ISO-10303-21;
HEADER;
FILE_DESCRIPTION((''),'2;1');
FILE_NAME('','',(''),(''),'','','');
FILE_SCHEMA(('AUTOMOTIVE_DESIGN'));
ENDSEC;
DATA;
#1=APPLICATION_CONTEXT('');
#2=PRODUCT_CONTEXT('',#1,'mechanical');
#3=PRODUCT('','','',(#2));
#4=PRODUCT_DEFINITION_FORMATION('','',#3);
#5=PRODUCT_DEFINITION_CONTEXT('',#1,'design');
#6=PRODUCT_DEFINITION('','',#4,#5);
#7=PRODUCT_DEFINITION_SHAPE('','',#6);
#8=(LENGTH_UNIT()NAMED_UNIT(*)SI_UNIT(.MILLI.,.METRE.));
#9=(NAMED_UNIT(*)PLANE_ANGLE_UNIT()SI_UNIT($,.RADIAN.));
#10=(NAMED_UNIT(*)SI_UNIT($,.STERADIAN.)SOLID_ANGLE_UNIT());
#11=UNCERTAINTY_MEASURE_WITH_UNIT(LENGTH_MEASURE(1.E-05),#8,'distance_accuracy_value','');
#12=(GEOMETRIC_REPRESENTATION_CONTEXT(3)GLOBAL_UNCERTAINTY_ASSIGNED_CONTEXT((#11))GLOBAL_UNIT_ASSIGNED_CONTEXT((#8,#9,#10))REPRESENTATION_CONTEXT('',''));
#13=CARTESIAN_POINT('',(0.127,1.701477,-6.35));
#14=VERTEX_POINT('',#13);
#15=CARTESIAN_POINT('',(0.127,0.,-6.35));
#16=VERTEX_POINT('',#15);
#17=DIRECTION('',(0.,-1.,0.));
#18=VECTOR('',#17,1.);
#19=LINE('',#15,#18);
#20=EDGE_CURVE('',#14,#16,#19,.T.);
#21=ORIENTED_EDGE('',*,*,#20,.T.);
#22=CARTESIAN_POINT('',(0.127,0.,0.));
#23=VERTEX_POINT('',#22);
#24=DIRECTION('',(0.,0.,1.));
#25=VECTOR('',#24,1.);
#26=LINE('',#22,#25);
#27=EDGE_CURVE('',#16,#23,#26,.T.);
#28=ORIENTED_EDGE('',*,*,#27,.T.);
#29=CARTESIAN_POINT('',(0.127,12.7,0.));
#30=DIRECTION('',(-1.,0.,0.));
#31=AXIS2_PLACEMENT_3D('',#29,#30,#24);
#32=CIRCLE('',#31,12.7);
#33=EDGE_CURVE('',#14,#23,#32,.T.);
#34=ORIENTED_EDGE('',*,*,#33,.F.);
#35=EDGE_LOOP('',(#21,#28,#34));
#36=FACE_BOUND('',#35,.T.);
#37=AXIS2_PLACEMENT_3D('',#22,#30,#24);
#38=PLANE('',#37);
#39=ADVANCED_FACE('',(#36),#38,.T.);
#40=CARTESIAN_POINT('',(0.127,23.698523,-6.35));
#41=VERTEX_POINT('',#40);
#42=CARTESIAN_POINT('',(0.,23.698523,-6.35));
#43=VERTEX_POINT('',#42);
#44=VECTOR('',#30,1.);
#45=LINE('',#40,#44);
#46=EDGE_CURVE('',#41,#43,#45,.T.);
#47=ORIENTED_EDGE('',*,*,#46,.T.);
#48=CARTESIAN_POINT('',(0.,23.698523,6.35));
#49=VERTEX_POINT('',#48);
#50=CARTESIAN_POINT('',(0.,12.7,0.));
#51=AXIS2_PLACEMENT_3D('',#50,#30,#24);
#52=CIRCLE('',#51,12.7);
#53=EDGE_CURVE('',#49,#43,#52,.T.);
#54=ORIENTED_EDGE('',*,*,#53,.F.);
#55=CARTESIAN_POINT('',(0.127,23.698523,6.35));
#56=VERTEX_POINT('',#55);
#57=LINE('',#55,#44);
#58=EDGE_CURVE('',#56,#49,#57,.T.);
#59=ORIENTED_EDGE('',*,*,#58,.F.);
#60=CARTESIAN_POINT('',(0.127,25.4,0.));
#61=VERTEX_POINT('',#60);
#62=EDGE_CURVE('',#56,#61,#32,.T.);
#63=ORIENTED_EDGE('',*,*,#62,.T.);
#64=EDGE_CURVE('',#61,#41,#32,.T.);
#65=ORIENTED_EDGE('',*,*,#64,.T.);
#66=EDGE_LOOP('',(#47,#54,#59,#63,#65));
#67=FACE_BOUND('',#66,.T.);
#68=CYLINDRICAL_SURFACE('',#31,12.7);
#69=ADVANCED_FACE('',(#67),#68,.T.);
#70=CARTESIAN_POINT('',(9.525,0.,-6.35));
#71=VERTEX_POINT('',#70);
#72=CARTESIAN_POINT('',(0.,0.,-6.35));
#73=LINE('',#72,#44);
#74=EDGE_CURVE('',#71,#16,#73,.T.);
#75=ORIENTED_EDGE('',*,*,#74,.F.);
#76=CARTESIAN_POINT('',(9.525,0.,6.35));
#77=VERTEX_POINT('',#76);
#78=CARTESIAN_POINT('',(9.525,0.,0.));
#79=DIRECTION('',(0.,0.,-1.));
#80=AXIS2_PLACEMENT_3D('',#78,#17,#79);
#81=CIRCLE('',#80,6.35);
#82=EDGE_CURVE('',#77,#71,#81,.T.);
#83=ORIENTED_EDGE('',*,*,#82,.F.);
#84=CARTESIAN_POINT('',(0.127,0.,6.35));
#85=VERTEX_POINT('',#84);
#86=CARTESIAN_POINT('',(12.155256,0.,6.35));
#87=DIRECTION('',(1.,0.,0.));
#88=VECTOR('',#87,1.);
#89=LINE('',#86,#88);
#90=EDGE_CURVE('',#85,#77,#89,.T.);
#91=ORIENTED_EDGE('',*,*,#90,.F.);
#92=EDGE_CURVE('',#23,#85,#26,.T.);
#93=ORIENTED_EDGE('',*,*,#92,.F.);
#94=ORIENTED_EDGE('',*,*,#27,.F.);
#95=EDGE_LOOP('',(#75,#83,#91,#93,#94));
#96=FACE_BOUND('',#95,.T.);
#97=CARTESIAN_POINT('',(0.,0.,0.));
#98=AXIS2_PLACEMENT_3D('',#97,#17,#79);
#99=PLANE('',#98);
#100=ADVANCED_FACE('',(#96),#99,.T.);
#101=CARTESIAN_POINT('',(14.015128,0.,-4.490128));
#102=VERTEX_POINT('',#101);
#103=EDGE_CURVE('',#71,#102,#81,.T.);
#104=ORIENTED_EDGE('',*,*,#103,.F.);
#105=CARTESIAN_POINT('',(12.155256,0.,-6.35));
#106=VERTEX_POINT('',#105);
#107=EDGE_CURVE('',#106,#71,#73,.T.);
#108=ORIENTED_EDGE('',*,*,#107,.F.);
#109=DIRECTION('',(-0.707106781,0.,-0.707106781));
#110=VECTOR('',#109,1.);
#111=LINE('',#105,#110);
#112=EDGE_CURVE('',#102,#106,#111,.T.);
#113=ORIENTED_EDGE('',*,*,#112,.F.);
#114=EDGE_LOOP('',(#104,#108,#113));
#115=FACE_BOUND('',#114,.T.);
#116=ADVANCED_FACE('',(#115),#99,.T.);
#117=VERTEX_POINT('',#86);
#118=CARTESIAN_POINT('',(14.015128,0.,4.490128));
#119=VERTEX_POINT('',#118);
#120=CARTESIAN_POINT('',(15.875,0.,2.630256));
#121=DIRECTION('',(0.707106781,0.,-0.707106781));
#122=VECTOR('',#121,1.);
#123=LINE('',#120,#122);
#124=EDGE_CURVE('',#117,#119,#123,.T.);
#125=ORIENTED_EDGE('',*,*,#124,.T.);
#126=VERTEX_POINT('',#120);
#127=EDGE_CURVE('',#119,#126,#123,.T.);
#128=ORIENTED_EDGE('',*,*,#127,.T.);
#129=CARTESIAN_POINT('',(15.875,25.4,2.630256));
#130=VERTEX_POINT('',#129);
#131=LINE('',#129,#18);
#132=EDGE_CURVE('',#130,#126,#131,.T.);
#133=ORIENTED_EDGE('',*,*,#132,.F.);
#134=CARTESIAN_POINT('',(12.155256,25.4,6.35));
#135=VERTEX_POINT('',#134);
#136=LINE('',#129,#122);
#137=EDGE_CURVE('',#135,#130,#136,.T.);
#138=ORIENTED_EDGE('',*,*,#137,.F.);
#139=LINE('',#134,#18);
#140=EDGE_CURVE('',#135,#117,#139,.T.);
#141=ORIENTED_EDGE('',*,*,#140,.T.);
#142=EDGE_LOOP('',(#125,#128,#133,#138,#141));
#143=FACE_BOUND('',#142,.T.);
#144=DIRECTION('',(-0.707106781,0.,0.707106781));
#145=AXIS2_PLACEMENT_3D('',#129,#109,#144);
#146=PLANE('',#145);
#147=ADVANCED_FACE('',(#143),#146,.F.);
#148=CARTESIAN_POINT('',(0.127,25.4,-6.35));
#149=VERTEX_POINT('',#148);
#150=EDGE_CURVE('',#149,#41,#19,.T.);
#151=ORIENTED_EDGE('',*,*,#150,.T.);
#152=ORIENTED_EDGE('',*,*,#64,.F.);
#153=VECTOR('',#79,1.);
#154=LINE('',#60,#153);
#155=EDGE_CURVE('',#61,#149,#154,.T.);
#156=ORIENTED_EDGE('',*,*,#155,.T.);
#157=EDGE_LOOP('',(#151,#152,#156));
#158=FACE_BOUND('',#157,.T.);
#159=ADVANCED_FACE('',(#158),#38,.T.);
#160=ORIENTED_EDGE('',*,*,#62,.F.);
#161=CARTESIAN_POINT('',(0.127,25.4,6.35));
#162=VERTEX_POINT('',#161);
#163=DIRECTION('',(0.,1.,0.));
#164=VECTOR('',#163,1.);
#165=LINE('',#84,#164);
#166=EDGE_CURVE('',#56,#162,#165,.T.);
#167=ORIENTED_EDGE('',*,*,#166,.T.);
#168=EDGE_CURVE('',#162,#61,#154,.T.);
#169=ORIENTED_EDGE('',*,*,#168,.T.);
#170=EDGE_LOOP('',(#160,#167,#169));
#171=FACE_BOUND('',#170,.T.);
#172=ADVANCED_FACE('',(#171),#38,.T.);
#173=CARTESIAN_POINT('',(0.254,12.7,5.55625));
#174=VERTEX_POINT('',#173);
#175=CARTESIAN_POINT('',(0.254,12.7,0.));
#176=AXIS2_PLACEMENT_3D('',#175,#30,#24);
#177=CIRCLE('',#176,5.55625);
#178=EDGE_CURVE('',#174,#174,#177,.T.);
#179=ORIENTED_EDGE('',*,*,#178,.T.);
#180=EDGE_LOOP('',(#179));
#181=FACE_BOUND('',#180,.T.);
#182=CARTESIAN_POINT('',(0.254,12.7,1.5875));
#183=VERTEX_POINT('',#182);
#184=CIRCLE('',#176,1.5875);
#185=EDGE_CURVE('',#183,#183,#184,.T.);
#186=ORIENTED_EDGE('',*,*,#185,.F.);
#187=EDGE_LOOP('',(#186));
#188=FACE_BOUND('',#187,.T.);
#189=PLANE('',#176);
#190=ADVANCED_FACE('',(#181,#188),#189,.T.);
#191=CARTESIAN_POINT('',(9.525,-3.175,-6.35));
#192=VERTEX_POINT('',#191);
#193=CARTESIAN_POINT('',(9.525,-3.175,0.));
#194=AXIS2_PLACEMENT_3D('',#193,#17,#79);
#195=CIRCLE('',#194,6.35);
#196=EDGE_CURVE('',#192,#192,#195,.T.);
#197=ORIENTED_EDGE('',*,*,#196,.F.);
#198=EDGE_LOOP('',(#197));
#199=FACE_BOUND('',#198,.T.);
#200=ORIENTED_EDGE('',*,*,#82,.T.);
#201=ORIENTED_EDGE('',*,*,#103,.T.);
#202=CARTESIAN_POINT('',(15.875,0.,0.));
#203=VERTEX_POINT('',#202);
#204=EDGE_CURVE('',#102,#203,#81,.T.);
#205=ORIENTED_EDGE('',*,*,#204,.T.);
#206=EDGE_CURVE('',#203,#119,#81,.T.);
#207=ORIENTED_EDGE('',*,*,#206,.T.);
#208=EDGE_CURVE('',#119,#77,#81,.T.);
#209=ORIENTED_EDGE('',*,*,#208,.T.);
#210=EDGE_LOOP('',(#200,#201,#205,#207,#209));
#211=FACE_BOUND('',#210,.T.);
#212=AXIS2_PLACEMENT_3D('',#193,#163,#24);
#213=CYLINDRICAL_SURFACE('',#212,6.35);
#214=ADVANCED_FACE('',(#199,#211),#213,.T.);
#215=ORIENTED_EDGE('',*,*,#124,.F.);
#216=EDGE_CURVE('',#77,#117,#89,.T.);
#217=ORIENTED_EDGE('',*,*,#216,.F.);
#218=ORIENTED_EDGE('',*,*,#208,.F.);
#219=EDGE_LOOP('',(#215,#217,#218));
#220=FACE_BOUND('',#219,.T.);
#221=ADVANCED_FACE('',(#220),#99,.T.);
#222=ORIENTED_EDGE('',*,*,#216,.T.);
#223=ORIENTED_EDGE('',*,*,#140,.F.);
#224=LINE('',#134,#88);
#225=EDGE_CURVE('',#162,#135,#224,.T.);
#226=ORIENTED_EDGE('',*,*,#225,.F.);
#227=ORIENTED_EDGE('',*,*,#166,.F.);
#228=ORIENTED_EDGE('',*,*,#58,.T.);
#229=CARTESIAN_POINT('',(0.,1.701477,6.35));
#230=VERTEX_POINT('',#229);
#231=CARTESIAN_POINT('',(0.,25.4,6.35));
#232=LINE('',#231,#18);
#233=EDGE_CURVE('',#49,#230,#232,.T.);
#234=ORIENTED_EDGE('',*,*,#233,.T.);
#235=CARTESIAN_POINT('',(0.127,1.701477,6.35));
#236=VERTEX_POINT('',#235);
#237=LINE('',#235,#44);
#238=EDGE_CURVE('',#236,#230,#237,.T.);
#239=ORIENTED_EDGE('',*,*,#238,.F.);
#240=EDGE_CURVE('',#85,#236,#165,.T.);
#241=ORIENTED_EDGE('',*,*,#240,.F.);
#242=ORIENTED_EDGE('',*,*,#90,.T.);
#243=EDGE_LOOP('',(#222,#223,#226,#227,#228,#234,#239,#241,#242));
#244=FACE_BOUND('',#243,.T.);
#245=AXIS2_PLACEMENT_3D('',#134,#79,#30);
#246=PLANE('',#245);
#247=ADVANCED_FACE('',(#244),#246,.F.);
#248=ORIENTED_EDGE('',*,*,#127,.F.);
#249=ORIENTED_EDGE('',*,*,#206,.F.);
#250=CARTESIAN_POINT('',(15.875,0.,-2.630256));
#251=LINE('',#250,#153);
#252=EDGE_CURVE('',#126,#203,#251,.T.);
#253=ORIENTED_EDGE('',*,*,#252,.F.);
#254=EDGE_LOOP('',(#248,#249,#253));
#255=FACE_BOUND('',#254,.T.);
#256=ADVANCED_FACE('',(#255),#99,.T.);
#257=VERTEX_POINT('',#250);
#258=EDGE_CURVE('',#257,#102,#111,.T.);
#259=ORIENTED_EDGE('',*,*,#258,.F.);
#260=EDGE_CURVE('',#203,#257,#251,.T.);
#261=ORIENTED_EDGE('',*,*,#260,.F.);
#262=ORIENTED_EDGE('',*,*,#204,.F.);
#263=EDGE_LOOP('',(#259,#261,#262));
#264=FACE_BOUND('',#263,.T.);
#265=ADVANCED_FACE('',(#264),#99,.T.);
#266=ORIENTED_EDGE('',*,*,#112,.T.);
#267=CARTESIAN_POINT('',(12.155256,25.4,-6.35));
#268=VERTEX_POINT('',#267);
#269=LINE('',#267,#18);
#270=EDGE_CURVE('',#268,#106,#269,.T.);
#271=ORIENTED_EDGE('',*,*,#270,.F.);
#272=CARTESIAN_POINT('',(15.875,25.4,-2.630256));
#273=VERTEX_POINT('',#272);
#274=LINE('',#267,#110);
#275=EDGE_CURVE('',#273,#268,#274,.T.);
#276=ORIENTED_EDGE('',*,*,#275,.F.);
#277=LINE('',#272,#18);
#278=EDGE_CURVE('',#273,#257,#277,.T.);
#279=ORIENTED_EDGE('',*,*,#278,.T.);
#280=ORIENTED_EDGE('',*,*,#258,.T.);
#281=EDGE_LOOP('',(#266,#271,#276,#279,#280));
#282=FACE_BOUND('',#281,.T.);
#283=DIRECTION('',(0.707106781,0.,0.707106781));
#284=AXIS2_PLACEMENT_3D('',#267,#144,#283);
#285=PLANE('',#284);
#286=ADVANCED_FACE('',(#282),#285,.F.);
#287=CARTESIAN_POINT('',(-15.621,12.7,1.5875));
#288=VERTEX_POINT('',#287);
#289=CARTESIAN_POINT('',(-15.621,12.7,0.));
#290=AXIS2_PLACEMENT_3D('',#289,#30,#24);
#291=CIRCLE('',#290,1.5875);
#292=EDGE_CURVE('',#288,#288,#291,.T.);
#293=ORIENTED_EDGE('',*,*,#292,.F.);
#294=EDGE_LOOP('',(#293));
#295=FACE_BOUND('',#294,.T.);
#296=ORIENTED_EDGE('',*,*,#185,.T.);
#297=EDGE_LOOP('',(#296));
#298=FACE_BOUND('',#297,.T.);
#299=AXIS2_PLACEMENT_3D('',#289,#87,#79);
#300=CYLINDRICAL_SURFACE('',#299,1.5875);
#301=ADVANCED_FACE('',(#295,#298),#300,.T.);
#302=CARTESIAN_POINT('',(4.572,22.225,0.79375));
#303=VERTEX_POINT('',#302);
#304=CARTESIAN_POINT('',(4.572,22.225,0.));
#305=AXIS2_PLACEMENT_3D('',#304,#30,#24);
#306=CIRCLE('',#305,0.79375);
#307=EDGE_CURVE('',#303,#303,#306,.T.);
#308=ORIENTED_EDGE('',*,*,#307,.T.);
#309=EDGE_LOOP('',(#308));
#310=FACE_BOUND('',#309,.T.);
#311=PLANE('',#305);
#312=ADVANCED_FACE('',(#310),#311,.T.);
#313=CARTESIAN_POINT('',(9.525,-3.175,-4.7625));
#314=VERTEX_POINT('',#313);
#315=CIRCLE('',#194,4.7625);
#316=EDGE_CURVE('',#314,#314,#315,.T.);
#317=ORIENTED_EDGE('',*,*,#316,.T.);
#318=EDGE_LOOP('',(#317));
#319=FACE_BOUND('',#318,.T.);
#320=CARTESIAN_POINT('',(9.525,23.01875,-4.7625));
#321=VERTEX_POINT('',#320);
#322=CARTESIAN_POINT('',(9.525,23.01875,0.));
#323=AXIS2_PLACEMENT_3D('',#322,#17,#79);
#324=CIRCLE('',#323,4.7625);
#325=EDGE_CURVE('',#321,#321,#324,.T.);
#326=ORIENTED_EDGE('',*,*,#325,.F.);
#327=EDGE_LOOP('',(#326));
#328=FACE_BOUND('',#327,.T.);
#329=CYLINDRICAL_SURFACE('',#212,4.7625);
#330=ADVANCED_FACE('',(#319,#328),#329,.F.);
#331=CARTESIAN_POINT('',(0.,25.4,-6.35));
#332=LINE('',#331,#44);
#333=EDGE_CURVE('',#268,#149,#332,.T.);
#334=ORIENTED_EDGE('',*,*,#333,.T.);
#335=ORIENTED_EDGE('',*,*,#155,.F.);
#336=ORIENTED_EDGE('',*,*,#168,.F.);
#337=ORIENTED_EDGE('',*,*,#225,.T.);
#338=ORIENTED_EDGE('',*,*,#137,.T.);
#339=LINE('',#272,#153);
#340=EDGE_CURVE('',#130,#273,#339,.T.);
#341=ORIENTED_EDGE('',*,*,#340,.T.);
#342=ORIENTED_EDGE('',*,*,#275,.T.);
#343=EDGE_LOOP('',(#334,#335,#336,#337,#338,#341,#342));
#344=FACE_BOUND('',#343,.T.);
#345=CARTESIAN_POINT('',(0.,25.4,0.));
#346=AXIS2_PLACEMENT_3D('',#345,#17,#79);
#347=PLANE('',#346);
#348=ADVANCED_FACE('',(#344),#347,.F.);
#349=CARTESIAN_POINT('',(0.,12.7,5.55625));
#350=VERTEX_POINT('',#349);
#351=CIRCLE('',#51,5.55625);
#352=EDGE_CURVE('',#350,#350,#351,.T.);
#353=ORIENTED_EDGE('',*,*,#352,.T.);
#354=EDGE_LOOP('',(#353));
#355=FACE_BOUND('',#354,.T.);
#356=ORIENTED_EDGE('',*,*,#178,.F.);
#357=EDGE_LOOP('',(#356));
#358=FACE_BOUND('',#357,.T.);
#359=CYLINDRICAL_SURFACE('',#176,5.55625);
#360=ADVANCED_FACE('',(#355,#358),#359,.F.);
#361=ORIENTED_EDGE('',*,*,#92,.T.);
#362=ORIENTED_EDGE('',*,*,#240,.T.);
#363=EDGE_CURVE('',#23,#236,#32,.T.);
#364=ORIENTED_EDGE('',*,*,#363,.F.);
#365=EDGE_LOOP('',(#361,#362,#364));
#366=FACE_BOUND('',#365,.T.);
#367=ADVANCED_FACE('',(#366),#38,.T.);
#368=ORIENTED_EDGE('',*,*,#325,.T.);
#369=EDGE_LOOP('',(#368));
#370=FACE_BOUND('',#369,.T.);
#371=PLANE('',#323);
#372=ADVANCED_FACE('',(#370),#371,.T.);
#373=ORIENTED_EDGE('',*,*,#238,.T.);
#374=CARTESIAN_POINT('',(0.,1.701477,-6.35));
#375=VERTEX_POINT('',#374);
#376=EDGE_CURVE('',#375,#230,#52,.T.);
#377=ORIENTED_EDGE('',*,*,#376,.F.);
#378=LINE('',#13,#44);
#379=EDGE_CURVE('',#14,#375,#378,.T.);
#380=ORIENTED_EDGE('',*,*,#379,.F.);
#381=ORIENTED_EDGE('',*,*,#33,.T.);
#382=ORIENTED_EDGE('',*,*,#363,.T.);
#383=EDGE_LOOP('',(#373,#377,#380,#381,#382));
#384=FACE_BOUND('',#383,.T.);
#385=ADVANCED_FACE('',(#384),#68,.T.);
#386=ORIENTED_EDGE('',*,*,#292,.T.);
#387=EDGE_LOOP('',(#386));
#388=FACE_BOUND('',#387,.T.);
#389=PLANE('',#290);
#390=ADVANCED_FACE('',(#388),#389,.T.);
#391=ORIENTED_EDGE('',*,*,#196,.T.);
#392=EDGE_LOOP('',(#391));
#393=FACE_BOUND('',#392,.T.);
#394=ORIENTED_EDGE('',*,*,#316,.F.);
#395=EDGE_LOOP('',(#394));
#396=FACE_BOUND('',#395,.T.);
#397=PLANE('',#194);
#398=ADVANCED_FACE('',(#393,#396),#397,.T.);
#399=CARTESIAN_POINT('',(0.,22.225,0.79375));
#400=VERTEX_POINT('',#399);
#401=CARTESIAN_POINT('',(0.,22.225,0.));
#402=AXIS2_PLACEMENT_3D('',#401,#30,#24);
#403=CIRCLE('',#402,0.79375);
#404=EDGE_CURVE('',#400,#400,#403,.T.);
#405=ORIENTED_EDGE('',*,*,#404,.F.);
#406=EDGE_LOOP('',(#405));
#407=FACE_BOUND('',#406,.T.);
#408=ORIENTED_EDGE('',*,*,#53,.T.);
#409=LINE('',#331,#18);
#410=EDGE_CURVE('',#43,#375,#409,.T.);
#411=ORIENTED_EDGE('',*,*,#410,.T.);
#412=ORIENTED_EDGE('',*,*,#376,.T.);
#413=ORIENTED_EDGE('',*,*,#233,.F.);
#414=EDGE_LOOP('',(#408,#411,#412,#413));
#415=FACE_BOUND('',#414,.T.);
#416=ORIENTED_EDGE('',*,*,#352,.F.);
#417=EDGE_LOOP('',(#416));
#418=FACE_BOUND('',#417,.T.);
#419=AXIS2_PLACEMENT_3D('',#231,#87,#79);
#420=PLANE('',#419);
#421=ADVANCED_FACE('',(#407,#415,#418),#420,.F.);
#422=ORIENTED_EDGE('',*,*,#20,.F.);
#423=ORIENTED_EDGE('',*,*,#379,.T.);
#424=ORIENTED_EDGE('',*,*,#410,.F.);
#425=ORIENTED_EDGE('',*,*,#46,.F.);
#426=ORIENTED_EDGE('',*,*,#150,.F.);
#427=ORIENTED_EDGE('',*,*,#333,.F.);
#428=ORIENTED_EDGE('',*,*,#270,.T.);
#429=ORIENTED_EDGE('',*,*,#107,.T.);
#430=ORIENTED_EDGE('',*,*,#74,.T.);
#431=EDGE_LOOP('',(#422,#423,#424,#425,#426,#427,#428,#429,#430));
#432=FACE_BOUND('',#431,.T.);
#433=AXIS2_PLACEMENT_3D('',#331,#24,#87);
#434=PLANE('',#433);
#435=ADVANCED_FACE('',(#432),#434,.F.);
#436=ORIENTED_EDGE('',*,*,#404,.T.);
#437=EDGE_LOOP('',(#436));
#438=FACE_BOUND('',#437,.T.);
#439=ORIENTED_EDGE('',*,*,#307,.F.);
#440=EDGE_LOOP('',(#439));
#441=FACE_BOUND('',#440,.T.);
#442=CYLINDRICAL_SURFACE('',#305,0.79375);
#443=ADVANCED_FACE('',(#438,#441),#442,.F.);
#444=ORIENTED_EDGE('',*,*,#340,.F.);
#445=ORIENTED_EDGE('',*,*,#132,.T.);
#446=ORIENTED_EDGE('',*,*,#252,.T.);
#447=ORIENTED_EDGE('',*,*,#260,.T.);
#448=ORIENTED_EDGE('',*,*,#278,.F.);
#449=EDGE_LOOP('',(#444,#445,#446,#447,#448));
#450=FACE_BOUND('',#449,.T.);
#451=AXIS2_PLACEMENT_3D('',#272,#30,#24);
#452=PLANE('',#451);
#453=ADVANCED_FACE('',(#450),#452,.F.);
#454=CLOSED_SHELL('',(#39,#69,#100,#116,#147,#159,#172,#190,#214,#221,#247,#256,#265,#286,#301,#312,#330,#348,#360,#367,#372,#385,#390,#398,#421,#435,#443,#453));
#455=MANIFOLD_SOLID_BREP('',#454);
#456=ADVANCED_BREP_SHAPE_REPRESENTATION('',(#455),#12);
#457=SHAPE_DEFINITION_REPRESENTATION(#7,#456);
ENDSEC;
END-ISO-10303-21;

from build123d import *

# Parameters (mm, degrees)
BOSS_EXTRUDE1_DEPTH = 25.4
SKETCH2_R           = 6.35
SKETCH2_R_2         = 4.7625
BOSS_EXTRUDE2_DEPTH = 3.175
SKETCH3_R           = 4.7625
CUT_EXTRUDE1_DEPTH  = 26.19375
SKETCH4_R           = 5.55625
CUT_EXTRUDE2_DEPTH  = 0.254
SKETCH5_R           = 1.5875
BOSS_EXTRUDE3_DEPTH = 15.875
SKETCH6_R           = 0.79375
CUT_EXTRUDE3_DEPTH  = 4.572
CUT_EXTRUDE4_DEPTH  = 0.127


with BuildPart() as part:
    # Sketch1 → Boss-Extrude1 (new body)
    with BuildSketch(Plane(origin=(0, 0, 0), x_dir=(1, 0, 0), z_dir=(0, 1, 0))):
        Polygon((0, -6.35), (0, 6.35), (12.155256121, 6.35), (15.875, 2.630256121), (15.875, -2.630256121), (12.155256121, -6.35), align=None)
    extrude(amount=BOSS_EXTRUDE1_DEPTH)

    # Sketch2 → Boss-Extrude2 (add)
    with BuildSketch(Plane.XZ):
        with Locations((9.525, 0)):
            Circle(SKETCH2_R)
        with Locations((9.525, 0)):
            Circle(SKETCH2_R_2, mode=Mode.SUBTRACT)
    extrude(amount=BOSS_EXTRUDE2_DEPTH)

    # Sketch3 → Cut-Extrude1 (cut)
    with BuildSketch(Plane.XZ.offset(3.175)):
        with Locations((9.525, 0)):
            Circle(SKETCH3_R)
    extrude(amount=-CUT_EXTRUDE1_DEPTH, mode=Mode.SUBTRACT)

    # Sketch4 → Cut-Extrude2 (cut)
    with BuildSketch(Plane.ZY):
        with Locations((0, 12.7)):
            Circle(SKETCH4_R)
    extrude(amount=-CUT_EXTRUDE2_DEPTH, mode=Mode.SUBTRACT)

    # Sketch5 → Boss-Extrude3 (add)
    with BuildSketch(Plane.ZY.offset(-0.254)):
        with Locations((0, 12.7)):
            Circle(SKETCH5_R)
    extrude(amount=BOSS_EXTRUDE3_DEPTH)

    # Sketch6 → Cut-Extrude3 (cut)
    with BuildSketch(Plane.ZY):
        with Locations((0, 22.225)):
            Circle(SKETCH6_R)
    extrude(amount=-CUT_EXTRUDE3_DEPTH, mode=Mode.SUBTRACT)

    # Sketch7 → Cut-Extrude4 (cut)
    with BuildSketch(Plane.ZY):
        with BuildLine():
            ThreePointArc((0, 25.4), (3.287001873, 24.967257994), (6.35, 23.698522628))
            Line((6.35, 23.698522628), (6.35, 25.4))
            Line((6.35, 25.4), (0, 25.4))
        make_face()
        with BuildLine():
            Line((-6.35, 25.4), (-6.35, 23.698522628))
            ThreePointArc((-6.35, 23.698522628), (-3.287001873, 24.967257994), (0, 25.4))
            Line((0, 25.4), (-6.35, 25.4))
        make_face()
        with BuildLine():
            Line((-6.35, 1.701477372), (-6.35, 0))
            Line((-6.35, 0), (0, 0))
            ThreePointArc((0, 0), (-3.287001873, 0.432742006), (-6.35, 1.701477372))
        make_face()
        with BuildLine():
            ThreePointArc((6.35, 1.701477372), (3.287001873, 0.432742006), (0, 0))
            Line((0, 0), (6.35, 0))
            Line((6.35, 0), (6.35, 1.701477372))
        make_face()
    extrude(amount=-CUT_EXTRUDE4_DEPTH, mode=Mode.SUBTRACT)


solid = part.part
